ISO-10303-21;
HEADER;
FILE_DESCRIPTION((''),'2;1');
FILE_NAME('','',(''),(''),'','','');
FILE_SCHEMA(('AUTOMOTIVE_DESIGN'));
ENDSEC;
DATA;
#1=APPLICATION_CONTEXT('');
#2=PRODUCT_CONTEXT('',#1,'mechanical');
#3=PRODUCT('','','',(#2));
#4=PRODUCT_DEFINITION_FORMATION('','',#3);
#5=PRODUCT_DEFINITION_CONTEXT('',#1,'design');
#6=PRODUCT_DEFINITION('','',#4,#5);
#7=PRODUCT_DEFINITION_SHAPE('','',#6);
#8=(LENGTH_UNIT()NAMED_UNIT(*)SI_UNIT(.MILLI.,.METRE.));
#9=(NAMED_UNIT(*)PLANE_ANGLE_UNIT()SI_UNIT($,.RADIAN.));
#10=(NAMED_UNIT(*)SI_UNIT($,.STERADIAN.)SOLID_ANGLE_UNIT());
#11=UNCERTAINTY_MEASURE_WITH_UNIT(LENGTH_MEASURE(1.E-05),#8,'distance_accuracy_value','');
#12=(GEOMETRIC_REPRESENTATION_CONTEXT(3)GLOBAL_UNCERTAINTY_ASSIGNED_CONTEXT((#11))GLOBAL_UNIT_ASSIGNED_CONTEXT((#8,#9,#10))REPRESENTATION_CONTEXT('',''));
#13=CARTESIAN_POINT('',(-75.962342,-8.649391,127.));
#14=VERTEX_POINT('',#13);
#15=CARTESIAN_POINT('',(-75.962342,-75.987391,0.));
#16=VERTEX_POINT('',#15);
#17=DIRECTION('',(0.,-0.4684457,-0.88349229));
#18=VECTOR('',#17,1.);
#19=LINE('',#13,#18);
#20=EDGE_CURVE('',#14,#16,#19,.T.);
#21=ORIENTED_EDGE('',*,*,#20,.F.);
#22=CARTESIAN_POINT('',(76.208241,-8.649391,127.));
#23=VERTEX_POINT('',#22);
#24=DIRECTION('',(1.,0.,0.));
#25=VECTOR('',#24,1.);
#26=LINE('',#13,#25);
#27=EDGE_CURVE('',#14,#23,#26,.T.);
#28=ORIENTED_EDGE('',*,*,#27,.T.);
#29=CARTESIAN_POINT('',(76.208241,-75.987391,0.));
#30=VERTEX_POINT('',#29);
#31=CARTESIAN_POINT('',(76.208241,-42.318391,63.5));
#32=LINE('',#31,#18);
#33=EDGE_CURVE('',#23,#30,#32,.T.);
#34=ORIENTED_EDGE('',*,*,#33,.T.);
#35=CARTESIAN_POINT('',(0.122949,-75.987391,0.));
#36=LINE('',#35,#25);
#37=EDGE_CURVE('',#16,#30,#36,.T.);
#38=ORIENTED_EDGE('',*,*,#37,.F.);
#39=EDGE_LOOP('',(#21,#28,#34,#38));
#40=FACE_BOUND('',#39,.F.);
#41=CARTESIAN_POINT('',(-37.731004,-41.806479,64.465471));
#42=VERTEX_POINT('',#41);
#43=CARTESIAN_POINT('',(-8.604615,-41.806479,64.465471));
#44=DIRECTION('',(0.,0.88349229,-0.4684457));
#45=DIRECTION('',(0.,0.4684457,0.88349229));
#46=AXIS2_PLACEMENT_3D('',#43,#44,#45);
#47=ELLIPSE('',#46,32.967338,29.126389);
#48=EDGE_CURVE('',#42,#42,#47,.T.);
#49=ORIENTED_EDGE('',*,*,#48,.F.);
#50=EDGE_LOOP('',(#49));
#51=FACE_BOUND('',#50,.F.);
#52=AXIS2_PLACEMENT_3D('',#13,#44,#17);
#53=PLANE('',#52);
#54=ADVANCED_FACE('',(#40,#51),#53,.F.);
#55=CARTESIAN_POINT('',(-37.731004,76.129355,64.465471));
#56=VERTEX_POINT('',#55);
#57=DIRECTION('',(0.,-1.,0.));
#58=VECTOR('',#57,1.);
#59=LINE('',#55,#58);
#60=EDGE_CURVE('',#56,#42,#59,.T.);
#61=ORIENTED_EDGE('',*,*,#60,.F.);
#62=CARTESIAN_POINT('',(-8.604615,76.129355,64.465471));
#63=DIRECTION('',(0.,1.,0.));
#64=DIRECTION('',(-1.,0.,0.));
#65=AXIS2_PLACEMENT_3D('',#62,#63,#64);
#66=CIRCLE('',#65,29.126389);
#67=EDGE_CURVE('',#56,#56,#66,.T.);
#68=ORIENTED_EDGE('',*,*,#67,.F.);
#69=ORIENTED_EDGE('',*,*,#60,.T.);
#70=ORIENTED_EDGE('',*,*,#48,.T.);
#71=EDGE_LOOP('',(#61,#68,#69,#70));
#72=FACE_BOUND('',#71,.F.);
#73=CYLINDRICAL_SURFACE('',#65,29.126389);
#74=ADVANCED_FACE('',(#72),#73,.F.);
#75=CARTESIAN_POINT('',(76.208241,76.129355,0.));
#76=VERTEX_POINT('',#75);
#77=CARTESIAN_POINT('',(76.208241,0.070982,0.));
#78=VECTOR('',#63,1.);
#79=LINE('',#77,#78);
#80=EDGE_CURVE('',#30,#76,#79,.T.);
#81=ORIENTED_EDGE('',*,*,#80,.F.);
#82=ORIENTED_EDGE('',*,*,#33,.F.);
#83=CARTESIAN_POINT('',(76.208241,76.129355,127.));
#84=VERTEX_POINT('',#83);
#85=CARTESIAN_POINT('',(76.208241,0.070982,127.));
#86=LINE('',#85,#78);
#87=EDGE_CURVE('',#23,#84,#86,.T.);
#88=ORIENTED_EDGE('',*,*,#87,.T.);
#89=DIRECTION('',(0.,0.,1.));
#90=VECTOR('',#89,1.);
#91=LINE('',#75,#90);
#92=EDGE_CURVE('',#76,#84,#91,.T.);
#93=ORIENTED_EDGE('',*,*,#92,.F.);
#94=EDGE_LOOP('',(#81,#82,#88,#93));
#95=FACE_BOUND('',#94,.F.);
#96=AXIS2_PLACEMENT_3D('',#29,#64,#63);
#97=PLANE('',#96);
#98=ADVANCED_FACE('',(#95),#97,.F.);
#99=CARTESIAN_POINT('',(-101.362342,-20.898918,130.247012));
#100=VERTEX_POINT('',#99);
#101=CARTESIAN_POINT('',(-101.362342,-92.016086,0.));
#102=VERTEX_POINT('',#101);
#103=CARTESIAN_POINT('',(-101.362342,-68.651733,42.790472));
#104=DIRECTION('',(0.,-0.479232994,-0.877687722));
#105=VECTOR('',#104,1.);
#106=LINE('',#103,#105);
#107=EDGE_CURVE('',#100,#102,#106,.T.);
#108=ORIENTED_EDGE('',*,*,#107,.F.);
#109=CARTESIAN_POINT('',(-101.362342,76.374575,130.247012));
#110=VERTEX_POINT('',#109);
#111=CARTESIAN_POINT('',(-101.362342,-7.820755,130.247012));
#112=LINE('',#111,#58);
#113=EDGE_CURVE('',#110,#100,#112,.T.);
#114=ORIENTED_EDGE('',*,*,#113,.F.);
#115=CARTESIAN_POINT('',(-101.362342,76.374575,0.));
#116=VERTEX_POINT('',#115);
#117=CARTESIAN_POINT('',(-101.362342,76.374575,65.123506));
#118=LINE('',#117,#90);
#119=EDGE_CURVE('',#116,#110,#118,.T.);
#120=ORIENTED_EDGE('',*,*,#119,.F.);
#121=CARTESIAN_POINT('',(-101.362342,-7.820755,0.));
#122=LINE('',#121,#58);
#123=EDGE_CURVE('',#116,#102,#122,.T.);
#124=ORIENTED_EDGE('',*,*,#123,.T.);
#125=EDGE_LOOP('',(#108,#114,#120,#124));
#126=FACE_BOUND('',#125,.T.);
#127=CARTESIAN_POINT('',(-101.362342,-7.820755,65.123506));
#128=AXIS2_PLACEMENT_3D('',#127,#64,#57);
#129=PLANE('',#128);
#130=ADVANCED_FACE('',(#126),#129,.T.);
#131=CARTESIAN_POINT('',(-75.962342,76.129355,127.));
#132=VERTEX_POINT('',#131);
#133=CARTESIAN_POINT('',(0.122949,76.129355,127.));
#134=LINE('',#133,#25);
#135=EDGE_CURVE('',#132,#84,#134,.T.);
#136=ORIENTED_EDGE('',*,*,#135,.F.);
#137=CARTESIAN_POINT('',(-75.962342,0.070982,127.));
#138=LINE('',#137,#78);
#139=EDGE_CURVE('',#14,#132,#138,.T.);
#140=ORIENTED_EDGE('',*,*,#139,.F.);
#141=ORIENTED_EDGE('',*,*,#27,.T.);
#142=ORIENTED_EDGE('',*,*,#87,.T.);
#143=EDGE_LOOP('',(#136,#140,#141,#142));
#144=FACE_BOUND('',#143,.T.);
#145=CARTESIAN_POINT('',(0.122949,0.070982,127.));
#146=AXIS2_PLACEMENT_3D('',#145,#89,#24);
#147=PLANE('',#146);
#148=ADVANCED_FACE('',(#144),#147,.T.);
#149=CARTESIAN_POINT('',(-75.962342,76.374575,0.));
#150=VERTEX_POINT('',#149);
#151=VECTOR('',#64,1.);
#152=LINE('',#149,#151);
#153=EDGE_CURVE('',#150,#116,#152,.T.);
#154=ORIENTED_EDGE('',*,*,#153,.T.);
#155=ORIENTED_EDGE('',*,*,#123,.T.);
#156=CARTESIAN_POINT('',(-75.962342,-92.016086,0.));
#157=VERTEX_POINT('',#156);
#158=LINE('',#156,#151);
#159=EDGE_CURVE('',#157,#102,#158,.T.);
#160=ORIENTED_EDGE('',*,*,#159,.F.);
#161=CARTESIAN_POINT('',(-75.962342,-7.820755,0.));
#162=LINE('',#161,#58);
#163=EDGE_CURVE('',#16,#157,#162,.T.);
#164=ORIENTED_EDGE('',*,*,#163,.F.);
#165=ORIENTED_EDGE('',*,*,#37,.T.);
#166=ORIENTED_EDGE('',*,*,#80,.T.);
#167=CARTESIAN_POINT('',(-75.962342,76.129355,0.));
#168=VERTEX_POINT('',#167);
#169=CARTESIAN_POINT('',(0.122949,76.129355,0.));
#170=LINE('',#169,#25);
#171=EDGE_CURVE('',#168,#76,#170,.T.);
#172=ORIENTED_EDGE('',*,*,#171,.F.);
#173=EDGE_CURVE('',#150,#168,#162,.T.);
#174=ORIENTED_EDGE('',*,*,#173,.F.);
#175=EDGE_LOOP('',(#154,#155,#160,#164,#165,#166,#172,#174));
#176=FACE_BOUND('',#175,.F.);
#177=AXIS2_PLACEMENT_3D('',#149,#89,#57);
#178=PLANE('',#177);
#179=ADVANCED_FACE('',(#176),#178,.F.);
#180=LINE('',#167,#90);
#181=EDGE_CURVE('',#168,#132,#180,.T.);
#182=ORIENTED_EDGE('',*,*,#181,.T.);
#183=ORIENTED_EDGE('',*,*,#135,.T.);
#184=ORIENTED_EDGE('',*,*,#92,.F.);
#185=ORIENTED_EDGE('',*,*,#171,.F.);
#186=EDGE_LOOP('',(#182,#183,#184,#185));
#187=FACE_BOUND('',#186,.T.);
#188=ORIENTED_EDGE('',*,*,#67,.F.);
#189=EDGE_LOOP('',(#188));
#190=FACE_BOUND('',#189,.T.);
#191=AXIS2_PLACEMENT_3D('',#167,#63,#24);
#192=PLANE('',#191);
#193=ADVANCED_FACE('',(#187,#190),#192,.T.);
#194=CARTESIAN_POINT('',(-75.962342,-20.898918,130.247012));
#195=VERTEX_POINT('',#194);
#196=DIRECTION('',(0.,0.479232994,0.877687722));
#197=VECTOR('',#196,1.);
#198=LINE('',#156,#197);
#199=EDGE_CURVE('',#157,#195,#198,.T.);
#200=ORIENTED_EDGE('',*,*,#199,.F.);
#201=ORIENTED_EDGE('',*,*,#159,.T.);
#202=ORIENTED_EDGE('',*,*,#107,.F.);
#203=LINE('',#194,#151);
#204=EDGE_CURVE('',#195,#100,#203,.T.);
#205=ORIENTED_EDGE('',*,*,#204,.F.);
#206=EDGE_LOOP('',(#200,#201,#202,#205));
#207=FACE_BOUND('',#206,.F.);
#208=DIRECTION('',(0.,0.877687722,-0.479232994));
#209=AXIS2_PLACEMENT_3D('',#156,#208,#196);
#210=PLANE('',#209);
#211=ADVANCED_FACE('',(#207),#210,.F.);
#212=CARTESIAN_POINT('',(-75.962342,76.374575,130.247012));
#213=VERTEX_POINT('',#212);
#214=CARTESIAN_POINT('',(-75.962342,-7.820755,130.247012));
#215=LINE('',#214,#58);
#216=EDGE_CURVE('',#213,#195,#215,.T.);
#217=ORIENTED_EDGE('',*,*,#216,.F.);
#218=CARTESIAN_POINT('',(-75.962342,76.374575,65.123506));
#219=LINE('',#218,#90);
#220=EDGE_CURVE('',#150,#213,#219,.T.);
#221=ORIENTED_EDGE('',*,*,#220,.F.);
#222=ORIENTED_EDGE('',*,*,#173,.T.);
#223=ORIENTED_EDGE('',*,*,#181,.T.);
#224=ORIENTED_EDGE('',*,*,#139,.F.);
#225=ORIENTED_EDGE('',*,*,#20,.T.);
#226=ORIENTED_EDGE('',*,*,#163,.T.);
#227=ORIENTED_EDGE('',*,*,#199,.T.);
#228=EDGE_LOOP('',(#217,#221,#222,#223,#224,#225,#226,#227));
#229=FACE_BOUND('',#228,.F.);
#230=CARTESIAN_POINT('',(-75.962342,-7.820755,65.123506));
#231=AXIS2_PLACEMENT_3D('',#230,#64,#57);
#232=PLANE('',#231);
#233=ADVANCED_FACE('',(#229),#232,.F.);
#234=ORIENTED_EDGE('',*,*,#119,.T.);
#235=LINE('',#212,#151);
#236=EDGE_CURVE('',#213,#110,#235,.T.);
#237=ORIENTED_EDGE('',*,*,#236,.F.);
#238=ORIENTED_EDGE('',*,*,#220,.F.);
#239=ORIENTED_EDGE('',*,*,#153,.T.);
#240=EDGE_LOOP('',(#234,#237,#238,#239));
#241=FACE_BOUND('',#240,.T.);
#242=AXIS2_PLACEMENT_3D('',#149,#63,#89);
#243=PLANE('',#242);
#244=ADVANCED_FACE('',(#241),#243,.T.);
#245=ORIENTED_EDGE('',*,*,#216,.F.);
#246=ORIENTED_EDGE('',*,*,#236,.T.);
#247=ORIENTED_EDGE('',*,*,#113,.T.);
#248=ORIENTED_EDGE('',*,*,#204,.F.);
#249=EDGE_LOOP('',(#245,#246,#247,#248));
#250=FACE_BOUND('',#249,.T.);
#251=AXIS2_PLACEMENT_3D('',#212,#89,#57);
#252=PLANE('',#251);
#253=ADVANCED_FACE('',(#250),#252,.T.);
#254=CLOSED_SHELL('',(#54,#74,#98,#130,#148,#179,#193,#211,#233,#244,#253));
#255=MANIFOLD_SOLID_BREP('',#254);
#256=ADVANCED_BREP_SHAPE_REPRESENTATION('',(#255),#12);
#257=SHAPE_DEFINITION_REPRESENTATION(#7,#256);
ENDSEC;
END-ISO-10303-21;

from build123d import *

# Parameters (mm, degrees)
F0_W      = 152.1705836058
F0_H      = 152.1167457104
F1_DEPTH  = 127
F3_DEPTH  = 254
F4_R      = 29.1263890726
F5_DEPTH  = 2540
F7_W      = 168.390661478
F7_H      = 130.2470117807
F8_DEPTH  = 25.4
F10_DEPTH = 2540


with BuildPart() as f1:
    # F0 (on Top) → F1 (new body)
    with BuildSketch(Plane.XY):
        with Locations((0.122949481, 0.0709816813)):
            Rectangle(F0_W, F0_H)
    extrude(amount=F1_DEPTH)

    # F2 (on face) → F3 (cut)
    with BuildSketch(Plane(origin=(-75.9623423219, 0, 0), x_dir=(0, -1, 0), z_dir=(-1, 0, 0))):
        Polygon((75.9873911738, 127), (8.6493911222, 127), (75.9873911738, 0), align=None)
    extrude(amount=-F3_DEPTH, mode=Mode.SUBTRACT)

    # F4 (on face) → F5 (cut)
    with BuildSketch(Plane(origin=(0, 76.1293545365, 0), x_dir=(-1, 0, 0), z_dir=(0, 1, 0))):
        with Locations((8.6046149954, 64.465470612)):
            Circle(F4_R)
    extrude(amount=-F5_DEPTH, mode=Mode.SUBTRACT)

    # F7 (on face) → F8 (join)
    with BuildSketch(Plane(origin=(-75.9623423219, 0, 0), x_dir=(0, -1, 0), z_dir=(-1, 0, 0))):
        with Locations((7.8207552433, 65.1235058904)):
            Rectangle(F7_W, F7_H)
    extrude(amount=F8_DEPTH)

    # F9 (on face) → F10 (cut)
    with BuildSketch(Plane.YZ.offset(-75.9623423219)):
        Polygon((-92.0160859823, 0), (-20.8989176899, 130.2470117807), (-92.0160859823, 130.2470117807), align=None)
    extrude(amount=-F10_DEPTH, mode=Mode.SUBTRACT)


solid = f1.part
